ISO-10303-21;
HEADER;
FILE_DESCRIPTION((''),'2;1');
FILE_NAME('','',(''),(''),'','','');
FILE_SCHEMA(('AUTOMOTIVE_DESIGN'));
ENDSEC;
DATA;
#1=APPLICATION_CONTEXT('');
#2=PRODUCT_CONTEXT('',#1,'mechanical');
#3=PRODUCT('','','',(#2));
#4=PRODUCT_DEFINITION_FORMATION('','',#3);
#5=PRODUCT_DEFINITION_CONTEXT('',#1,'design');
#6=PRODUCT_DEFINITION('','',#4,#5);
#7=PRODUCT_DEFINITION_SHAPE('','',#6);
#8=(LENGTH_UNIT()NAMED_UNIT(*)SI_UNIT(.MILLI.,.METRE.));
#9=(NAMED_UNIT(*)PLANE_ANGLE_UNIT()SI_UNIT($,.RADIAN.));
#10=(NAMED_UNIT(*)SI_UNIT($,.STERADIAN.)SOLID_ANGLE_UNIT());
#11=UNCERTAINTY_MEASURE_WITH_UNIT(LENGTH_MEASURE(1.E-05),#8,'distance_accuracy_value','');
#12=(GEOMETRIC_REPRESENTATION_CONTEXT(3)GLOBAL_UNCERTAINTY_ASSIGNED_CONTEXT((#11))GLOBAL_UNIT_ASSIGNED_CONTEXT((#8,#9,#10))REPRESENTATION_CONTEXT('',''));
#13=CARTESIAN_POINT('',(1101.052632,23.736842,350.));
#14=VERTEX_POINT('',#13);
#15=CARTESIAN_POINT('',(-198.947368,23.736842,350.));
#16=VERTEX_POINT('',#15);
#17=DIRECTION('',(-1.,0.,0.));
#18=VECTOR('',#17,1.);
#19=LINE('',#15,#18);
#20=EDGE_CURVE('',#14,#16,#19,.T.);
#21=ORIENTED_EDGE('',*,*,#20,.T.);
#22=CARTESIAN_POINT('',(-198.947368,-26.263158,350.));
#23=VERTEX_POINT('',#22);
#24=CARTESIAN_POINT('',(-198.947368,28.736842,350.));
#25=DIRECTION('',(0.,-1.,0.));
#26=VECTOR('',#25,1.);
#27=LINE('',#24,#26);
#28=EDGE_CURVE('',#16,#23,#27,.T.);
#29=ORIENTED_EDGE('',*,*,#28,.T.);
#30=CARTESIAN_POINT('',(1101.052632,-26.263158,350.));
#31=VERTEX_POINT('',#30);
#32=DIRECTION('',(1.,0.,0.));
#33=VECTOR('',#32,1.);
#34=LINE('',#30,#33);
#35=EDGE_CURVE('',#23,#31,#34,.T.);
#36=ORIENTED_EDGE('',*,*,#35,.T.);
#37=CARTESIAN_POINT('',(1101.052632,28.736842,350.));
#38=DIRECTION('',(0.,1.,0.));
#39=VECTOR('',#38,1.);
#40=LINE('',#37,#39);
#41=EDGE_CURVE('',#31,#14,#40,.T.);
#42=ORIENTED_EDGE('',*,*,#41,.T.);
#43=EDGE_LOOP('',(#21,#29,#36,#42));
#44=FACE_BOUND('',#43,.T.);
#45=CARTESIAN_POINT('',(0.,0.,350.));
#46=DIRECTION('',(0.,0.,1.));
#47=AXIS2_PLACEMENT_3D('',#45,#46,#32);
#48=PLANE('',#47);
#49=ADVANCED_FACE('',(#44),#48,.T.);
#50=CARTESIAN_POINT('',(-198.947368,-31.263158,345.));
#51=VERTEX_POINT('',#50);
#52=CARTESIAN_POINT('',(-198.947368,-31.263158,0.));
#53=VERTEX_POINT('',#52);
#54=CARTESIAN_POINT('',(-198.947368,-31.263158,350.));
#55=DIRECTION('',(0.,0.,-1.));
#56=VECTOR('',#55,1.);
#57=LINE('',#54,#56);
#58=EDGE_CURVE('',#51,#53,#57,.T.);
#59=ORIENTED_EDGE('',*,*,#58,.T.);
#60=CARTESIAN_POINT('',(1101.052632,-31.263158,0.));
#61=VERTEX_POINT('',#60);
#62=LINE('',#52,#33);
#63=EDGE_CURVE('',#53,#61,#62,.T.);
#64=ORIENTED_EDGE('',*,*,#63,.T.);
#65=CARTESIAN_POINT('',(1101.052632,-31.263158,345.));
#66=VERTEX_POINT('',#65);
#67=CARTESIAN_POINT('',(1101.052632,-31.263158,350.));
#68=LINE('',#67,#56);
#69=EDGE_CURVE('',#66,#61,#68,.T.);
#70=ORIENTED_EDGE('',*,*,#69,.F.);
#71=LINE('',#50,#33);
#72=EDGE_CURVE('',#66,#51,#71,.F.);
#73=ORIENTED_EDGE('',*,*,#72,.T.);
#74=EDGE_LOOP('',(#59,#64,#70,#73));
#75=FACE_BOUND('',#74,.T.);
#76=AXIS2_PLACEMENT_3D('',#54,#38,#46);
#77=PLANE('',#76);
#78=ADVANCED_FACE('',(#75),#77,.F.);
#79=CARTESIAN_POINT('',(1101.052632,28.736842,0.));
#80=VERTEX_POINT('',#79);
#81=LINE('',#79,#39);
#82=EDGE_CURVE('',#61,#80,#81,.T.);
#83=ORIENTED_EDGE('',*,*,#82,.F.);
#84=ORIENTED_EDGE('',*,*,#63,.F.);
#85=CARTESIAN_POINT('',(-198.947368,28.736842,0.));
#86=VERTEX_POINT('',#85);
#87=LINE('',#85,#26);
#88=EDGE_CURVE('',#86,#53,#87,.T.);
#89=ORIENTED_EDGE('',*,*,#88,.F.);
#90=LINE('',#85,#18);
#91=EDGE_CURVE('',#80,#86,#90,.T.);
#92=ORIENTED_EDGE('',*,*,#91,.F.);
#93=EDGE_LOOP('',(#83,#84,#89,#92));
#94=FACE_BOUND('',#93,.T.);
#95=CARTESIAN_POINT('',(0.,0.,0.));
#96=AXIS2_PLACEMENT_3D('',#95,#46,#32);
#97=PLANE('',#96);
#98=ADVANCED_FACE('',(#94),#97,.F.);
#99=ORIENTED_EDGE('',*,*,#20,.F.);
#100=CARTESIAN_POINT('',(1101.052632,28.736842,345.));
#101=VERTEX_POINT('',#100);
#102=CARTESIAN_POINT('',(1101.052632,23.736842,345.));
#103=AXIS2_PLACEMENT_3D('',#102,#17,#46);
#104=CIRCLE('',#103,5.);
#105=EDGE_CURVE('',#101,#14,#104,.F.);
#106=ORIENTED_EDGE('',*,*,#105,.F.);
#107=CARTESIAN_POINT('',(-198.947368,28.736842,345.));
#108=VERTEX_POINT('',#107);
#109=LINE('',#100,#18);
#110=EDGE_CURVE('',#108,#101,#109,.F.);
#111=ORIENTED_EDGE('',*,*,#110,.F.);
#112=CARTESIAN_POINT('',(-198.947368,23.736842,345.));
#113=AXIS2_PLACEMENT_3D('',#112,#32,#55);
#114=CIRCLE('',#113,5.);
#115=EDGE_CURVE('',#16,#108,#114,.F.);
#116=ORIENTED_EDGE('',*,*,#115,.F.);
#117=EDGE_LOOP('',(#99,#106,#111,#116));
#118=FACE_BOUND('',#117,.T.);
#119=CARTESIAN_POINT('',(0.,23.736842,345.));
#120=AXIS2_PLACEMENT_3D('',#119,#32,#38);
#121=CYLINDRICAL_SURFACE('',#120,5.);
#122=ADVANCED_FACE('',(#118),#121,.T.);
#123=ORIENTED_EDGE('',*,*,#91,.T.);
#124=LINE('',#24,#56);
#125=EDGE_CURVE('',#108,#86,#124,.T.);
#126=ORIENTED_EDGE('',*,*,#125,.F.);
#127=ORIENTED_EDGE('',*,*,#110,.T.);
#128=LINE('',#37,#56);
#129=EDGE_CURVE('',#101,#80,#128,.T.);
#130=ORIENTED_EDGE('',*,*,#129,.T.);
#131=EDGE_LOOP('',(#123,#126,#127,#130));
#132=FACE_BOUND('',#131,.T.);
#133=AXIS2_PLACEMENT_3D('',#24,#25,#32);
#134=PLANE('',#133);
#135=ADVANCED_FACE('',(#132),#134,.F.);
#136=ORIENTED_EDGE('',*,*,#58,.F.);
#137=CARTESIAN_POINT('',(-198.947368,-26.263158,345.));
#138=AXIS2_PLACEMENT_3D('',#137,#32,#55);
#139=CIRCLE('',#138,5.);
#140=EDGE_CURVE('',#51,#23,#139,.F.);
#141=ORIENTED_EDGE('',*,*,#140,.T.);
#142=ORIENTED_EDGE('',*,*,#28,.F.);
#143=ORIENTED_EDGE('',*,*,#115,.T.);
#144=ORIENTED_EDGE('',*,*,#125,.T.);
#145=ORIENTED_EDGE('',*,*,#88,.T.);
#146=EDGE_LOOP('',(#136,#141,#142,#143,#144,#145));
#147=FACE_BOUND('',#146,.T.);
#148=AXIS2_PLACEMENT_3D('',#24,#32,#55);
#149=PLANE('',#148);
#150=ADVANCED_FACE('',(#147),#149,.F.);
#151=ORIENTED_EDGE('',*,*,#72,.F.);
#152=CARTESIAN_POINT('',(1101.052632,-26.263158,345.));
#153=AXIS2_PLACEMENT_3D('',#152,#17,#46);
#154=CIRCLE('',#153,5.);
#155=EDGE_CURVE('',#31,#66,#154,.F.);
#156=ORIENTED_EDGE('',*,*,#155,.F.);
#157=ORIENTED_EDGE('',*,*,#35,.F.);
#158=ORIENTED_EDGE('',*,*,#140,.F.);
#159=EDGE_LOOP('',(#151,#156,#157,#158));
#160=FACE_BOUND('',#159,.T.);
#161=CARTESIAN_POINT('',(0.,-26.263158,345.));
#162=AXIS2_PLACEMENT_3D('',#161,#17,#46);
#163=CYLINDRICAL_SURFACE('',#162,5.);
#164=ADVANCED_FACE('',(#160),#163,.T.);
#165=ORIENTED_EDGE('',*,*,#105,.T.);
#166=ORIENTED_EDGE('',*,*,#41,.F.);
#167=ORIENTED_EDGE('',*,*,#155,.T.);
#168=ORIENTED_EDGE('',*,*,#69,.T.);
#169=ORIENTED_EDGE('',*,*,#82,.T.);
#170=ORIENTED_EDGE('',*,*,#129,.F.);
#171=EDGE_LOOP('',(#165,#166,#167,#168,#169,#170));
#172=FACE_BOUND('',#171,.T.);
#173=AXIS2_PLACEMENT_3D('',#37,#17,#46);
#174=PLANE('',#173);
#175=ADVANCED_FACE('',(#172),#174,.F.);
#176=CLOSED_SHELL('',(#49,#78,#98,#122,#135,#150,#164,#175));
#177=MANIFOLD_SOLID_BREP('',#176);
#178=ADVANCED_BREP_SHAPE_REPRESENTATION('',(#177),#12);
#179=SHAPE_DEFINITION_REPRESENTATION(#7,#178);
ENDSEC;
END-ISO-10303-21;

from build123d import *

# Parameters (mm, degrees)
SKETCH_1_W        = 1300
SKETCH_1_H        = 60
EXTRUDE_253_DEPTH = 350
FILLET_2_R        = 5


with BuildPart() as part:
    # Эскиз1 → Extrude 253 (new body)
    with BuildSketch(Plane.XY):
        with Locations((451.052631579, -1.263157895)):
            Rectangle(SKETCH_1_W, SKETCH_1_H)
    extrude(amount=EXTRUDE_253_DEPTH)

    # Скругление2
    fillet_2_edges = [part.edges().sort_by_distance(p)[0] for p in [
        (451.052631579, 28.736842105, 350),
        (451.052631579, -31.263157895, 350),
    ]]
    fillet(fillet_2_edges, radius=FILLET_2_R)


solid = part.part
